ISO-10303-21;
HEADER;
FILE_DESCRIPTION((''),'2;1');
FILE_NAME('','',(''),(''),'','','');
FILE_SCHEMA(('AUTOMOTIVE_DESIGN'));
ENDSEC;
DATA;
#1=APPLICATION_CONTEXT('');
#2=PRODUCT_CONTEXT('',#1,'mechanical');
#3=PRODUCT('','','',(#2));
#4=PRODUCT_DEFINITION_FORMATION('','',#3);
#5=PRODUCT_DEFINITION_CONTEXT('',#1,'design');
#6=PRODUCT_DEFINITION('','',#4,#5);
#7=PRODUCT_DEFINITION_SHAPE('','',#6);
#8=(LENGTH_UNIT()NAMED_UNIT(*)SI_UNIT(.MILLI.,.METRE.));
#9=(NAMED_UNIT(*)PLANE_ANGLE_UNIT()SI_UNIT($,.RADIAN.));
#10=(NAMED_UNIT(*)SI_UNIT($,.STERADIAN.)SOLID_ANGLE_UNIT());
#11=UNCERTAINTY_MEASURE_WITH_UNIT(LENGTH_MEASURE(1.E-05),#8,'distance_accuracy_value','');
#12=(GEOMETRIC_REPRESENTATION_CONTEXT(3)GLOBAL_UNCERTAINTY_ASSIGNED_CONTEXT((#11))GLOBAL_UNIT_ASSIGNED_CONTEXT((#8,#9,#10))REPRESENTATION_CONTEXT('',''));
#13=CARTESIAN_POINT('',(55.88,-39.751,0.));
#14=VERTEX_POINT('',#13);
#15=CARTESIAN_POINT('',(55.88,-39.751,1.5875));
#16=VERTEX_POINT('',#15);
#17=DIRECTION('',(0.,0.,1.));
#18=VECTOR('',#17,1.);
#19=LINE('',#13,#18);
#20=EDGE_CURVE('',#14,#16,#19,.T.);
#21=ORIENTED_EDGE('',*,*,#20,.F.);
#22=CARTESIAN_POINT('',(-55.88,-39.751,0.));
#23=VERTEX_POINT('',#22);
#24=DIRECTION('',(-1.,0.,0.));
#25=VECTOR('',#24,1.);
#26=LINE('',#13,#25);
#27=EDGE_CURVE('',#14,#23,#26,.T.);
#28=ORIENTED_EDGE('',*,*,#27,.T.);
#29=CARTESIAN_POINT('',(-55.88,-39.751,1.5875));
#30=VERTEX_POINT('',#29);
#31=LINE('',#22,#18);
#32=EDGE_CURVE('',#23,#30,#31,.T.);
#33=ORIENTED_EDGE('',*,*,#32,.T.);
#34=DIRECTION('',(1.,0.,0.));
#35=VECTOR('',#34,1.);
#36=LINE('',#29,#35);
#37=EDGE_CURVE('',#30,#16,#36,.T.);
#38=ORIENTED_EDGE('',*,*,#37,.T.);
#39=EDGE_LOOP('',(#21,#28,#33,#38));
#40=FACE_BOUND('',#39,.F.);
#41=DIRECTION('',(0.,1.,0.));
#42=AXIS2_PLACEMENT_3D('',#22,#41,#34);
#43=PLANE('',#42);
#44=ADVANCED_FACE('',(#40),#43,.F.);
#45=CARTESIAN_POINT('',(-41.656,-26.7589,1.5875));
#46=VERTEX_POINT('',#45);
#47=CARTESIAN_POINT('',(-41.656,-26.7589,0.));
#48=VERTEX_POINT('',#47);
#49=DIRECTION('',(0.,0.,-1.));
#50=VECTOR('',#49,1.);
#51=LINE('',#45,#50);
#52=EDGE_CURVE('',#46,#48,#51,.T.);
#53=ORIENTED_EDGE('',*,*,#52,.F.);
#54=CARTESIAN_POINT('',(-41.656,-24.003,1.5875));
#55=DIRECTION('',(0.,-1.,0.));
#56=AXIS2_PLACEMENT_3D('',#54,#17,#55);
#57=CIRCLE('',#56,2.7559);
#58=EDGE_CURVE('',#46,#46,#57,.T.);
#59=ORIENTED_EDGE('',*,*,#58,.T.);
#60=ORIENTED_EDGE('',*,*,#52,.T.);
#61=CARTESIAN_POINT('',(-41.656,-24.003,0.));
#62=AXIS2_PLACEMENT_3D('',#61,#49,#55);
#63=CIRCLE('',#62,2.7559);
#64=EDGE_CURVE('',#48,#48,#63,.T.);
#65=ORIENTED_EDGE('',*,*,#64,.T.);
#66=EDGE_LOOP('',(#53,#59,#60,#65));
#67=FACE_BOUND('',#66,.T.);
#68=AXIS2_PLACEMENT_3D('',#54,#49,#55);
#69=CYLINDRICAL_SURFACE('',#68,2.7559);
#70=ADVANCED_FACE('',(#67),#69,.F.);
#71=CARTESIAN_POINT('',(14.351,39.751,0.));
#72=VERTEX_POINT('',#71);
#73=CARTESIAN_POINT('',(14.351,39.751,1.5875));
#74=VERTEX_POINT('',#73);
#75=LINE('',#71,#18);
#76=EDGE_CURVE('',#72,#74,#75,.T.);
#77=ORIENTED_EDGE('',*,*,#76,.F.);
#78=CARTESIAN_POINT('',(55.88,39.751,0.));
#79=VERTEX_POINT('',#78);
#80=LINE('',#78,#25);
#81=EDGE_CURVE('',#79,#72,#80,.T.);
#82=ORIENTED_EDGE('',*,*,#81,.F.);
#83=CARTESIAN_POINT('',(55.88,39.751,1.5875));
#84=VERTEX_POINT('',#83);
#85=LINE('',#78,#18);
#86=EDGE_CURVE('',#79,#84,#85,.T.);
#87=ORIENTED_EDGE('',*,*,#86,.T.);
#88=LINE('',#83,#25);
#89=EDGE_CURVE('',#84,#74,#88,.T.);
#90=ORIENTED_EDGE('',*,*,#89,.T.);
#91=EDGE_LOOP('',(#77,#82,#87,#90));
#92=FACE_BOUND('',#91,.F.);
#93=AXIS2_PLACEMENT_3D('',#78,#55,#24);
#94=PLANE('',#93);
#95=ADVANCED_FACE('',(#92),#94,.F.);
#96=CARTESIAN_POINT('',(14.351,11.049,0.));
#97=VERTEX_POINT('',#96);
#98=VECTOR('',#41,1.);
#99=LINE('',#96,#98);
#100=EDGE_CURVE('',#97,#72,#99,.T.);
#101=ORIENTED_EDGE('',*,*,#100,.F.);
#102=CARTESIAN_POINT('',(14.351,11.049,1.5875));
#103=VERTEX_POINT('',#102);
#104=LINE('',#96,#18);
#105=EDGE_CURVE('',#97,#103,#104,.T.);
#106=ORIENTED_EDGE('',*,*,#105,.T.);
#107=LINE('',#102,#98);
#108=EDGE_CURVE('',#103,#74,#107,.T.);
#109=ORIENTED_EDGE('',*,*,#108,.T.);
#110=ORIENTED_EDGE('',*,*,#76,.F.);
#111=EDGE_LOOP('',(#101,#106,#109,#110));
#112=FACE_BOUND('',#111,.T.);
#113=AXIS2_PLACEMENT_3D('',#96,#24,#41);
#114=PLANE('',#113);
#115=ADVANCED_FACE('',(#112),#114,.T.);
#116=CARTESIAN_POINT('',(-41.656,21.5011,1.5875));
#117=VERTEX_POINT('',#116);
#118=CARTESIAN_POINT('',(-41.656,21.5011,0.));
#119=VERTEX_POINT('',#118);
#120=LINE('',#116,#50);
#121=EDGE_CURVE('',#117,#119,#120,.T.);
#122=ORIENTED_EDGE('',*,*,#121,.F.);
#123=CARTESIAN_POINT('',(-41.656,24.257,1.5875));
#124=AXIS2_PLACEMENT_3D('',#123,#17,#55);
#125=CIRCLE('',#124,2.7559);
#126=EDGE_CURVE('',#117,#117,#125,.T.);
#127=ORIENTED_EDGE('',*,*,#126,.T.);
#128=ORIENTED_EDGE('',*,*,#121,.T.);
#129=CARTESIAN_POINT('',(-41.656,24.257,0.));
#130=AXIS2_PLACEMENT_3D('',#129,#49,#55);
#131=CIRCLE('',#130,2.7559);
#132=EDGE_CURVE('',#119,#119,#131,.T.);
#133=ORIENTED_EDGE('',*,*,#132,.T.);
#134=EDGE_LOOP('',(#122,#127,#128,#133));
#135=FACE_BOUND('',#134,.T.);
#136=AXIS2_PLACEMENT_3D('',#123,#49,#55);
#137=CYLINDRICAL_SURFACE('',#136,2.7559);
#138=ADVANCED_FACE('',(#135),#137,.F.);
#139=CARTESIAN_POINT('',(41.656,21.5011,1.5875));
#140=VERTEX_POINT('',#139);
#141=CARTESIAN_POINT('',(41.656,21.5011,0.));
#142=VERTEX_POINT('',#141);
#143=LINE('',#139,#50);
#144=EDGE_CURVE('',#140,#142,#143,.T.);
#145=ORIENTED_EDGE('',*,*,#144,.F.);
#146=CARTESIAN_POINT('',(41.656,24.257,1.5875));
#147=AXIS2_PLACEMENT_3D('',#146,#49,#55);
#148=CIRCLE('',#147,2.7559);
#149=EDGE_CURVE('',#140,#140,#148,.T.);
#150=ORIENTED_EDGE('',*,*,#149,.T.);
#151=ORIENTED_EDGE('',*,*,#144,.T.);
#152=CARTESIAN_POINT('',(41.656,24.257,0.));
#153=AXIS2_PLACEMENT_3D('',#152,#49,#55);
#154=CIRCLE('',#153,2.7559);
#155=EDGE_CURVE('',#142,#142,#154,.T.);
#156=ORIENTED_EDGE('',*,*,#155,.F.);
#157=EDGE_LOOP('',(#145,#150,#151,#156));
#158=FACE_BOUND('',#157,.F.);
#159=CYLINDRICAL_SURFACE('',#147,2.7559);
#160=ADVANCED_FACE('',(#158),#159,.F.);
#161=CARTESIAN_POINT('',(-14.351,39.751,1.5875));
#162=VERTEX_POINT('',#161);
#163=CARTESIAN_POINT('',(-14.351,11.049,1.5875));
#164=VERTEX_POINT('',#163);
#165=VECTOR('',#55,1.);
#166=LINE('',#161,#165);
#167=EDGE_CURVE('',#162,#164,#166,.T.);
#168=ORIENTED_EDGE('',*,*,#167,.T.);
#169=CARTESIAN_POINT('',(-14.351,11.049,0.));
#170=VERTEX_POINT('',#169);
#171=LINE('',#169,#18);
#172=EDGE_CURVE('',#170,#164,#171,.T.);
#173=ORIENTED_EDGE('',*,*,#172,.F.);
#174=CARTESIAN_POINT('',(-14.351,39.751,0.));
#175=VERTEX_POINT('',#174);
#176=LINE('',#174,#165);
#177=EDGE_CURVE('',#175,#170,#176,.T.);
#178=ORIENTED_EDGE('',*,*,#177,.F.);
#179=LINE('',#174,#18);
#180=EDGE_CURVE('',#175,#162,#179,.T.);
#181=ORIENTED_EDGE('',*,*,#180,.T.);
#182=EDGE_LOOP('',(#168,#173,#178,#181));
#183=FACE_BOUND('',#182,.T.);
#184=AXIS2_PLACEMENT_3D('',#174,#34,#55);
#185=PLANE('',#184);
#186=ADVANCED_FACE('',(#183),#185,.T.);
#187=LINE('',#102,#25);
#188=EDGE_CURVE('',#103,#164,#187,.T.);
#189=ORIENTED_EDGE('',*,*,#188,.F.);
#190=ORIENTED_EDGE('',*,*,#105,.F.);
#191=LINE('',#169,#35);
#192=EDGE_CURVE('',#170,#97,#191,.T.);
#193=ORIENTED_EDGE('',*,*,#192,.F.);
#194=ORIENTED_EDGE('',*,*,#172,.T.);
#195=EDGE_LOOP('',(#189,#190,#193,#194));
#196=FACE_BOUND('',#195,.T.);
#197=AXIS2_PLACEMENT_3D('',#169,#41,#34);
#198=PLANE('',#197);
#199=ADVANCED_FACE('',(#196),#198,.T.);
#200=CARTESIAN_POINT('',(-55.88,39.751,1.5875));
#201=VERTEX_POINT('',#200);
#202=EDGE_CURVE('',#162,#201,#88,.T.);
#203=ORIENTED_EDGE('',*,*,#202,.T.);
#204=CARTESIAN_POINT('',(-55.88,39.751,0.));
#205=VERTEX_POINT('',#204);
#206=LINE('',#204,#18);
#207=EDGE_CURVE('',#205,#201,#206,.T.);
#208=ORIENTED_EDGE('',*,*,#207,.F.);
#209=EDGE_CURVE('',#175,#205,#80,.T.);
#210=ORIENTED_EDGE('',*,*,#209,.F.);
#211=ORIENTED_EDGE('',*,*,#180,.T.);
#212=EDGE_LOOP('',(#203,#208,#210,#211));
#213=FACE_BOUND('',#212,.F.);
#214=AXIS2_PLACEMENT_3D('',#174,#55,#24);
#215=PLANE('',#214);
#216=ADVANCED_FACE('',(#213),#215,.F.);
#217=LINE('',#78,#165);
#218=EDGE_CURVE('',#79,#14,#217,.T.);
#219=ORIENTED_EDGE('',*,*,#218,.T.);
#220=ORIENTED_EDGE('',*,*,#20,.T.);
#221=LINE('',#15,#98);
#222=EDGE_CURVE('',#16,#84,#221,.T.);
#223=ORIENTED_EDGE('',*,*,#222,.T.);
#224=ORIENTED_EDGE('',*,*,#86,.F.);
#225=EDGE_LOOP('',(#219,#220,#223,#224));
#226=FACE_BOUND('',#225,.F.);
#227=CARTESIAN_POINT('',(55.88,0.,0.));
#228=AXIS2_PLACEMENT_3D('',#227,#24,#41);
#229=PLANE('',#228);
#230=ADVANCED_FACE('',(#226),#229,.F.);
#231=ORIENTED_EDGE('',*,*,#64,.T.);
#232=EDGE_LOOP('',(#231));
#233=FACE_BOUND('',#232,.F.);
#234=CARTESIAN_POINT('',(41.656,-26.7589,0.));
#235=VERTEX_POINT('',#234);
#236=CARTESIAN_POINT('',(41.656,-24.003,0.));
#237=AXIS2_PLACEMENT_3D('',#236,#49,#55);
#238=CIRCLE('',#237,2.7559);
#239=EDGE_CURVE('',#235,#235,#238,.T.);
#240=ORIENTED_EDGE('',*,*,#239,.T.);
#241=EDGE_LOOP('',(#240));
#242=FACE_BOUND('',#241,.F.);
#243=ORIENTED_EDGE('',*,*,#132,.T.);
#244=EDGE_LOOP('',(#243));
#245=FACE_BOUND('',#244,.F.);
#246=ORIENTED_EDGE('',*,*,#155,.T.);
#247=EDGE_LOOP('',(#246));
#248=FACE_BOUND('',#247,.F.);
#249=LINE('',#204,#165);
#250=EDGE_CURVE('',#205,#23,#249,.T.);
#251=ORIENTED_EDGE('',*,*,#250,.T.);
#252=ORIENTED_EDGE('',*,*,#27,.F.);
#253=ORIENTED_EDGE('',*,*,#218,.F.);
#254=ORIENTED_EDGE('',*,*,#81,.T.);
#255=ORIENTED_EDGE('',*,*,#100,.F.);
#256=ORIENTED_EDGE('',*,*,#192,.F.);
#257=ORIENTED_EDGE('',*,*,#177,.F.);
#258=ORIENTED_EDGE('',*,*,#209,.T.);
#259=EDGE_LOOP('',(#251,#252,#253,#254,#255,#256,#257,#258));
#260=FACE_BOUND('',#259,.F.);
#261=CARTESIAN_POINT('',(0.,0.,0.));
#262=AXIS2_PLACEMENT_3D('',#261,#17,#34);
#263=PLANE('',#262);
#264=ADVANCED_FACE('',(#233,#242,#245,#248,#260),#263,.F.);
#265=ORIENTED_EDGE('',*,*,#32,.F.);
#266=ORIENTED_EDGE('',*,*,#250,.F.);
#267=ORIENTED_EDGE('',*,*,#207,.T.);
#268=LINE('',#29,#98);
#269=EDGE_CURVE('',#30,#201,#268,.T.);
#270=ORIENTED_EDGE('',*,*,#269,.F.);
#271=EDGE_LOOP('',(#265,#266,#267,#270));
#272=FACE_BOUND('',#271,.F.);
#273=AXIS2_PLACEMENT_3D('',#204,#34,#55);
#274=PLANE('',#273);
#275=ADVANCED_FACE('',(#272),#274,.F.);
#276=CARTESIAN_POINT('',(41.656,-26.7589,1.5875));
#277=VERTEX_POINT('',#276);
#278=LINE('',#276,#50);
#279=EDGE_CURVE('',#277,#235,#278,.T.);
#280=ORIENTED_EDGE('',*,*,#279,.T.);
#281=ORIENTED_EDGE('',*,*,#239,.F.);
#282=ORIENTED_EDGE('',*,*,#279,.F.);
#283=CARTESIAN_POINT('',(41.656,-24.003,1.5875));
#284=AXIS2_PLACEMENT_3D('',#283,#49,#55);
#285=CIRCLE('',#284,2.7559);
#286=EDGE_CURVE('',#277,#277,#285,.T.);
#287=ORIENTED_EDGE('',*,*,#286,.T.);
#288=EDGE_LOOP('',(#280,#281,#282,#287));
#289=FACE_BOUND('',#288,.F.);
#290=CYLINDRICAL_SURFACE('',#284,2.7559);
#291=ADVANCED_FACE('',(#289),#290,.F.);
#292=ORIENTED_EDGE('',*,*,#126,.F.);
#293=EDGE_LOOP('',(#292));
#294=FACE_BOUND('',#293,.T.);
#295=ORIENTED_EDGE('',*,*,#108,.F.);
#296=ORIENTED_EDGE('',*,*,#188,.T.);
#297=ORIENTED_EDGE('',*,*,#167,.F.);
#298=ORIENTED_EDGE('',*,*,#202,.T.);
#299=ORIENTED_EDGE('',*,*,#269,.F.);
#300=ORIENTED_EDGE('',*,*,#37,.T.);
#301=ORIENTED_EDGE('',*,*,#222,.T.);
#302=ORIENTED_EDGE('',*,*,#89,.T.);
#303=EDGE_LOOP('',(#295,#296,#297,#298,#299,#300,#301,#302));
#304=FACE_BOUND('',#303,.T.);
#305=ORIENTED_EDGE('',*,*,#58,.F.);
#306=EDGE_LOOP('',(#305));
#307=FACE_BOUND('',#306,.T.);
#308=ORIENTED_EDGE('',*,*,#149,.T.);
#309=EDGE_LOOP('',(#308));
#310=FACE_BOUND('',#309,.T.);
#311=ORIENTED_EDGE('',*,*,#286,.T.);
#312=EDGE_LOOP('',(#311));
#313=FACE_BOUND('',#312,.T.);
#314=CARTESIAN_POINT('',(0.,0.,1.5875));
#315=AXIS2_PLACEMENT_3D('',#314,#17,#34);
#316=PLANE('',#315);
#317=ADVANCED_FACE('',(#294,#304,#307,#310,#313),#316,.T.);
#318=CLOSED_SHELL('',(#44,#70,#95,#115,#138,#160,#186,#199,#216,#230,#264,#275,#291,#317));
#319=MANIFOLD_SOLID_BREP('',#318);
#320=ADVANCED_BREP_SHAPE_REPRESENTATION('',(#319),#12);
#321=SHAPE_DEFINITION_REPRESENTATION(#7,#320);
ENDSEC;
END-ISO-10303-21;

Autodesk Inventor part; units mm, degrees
ref_plane "YZ Plane" through (0, 0, 0) normal (1, 0, 0) x (0, 1, 0)
ref_plane "XZ Plane" through (0, 0, 0) normal (0, 1, 0) x (-1, 0, 0)
ref_plane "XY Plane" through (0, 0, 0) normal (0, 0, 1) x (1, 0, 0)
sketch "Sketch1" plane through (0, 0, 0) normal (0, 0, 1) x (1, 0, 0)
  line L0 (-55.88, 39.751) -> (-55.88, -39.751)
  line L1 (-55.88, 39.751) -> (23.622, 39.751) construction
  line L2 (-55.88, -39.751) -> (55.88, -39.751)
  line L3 (55.88, -39.751) -> (55.88, 39.751)
  line L4 (55.88, 39.751) -> (-55.88, 39.751)
  line L5 (0, -55.6514) -> (0, 55.6514) projected
  line L6 (-78.232, 0) -> (78.232, 0) projected
  line L7 (-14.351, 39.751) -> (-14.351, 11.049)
  line L8 (-14.351, 11.049) -> (14.351, 11.049)
  line L9 (14.351, 11.049) -> (14.351, 39.751)
  point P0 (0, 0)
  dimension "d0" = 79.502
  dimension "d1" = 90
  dimension "d2" = 111.76
  dimension "d3" = 28.702
  dimension "d4" = 28.702
extrude "Extrusion1" add sketch "Sketch1" along normal blind 1.5875 contours L4 L7 L8 L5 L6 L0 | L6 L5 L2 L0 | L6 L3 L2 L5 | L5 L8 L9 L4 L3 L6
sketch "Sketch2" plane through (-41.656, -2.7227, 1.5875) normal (0, 0, 1) x (1, 0, 0)
  line L0 (97.536, -37.0283) -> (97.536, 37.0283)
  line L1 (-14.224, -37.0283) -> (97.536, -37.0283)
  line L2 (97.536, -37.0283) -> (97.536, 42.4737) projected
  line L3 (-14.224, -37.0283) -> (97.536, -37.0283) projected
  point P0 (0, 0)
  point P1 (83.312, 26.9797)
  point P2 (83.312, -21.2803)
  point P3 (97.536, 0)
  point P4 (41.656, -37.0283)
  dimension "d10" = 48.26
  dimension "d11" = 14.224
  dimension "d9" = 14.224
  dimension "d8" = 15.748
hole "Hole1" at (41.656, 24.257, 1.5875) at (41.656, -24.003, 1.5875) direction (0, 0, -1) diameter 5.5118 end through all
mirror "Mirror1" about plane through (0, 0, 0) normal (1, 0, 0) of "Hole1"
properties part number "DIFF_HOUSING_NO"
